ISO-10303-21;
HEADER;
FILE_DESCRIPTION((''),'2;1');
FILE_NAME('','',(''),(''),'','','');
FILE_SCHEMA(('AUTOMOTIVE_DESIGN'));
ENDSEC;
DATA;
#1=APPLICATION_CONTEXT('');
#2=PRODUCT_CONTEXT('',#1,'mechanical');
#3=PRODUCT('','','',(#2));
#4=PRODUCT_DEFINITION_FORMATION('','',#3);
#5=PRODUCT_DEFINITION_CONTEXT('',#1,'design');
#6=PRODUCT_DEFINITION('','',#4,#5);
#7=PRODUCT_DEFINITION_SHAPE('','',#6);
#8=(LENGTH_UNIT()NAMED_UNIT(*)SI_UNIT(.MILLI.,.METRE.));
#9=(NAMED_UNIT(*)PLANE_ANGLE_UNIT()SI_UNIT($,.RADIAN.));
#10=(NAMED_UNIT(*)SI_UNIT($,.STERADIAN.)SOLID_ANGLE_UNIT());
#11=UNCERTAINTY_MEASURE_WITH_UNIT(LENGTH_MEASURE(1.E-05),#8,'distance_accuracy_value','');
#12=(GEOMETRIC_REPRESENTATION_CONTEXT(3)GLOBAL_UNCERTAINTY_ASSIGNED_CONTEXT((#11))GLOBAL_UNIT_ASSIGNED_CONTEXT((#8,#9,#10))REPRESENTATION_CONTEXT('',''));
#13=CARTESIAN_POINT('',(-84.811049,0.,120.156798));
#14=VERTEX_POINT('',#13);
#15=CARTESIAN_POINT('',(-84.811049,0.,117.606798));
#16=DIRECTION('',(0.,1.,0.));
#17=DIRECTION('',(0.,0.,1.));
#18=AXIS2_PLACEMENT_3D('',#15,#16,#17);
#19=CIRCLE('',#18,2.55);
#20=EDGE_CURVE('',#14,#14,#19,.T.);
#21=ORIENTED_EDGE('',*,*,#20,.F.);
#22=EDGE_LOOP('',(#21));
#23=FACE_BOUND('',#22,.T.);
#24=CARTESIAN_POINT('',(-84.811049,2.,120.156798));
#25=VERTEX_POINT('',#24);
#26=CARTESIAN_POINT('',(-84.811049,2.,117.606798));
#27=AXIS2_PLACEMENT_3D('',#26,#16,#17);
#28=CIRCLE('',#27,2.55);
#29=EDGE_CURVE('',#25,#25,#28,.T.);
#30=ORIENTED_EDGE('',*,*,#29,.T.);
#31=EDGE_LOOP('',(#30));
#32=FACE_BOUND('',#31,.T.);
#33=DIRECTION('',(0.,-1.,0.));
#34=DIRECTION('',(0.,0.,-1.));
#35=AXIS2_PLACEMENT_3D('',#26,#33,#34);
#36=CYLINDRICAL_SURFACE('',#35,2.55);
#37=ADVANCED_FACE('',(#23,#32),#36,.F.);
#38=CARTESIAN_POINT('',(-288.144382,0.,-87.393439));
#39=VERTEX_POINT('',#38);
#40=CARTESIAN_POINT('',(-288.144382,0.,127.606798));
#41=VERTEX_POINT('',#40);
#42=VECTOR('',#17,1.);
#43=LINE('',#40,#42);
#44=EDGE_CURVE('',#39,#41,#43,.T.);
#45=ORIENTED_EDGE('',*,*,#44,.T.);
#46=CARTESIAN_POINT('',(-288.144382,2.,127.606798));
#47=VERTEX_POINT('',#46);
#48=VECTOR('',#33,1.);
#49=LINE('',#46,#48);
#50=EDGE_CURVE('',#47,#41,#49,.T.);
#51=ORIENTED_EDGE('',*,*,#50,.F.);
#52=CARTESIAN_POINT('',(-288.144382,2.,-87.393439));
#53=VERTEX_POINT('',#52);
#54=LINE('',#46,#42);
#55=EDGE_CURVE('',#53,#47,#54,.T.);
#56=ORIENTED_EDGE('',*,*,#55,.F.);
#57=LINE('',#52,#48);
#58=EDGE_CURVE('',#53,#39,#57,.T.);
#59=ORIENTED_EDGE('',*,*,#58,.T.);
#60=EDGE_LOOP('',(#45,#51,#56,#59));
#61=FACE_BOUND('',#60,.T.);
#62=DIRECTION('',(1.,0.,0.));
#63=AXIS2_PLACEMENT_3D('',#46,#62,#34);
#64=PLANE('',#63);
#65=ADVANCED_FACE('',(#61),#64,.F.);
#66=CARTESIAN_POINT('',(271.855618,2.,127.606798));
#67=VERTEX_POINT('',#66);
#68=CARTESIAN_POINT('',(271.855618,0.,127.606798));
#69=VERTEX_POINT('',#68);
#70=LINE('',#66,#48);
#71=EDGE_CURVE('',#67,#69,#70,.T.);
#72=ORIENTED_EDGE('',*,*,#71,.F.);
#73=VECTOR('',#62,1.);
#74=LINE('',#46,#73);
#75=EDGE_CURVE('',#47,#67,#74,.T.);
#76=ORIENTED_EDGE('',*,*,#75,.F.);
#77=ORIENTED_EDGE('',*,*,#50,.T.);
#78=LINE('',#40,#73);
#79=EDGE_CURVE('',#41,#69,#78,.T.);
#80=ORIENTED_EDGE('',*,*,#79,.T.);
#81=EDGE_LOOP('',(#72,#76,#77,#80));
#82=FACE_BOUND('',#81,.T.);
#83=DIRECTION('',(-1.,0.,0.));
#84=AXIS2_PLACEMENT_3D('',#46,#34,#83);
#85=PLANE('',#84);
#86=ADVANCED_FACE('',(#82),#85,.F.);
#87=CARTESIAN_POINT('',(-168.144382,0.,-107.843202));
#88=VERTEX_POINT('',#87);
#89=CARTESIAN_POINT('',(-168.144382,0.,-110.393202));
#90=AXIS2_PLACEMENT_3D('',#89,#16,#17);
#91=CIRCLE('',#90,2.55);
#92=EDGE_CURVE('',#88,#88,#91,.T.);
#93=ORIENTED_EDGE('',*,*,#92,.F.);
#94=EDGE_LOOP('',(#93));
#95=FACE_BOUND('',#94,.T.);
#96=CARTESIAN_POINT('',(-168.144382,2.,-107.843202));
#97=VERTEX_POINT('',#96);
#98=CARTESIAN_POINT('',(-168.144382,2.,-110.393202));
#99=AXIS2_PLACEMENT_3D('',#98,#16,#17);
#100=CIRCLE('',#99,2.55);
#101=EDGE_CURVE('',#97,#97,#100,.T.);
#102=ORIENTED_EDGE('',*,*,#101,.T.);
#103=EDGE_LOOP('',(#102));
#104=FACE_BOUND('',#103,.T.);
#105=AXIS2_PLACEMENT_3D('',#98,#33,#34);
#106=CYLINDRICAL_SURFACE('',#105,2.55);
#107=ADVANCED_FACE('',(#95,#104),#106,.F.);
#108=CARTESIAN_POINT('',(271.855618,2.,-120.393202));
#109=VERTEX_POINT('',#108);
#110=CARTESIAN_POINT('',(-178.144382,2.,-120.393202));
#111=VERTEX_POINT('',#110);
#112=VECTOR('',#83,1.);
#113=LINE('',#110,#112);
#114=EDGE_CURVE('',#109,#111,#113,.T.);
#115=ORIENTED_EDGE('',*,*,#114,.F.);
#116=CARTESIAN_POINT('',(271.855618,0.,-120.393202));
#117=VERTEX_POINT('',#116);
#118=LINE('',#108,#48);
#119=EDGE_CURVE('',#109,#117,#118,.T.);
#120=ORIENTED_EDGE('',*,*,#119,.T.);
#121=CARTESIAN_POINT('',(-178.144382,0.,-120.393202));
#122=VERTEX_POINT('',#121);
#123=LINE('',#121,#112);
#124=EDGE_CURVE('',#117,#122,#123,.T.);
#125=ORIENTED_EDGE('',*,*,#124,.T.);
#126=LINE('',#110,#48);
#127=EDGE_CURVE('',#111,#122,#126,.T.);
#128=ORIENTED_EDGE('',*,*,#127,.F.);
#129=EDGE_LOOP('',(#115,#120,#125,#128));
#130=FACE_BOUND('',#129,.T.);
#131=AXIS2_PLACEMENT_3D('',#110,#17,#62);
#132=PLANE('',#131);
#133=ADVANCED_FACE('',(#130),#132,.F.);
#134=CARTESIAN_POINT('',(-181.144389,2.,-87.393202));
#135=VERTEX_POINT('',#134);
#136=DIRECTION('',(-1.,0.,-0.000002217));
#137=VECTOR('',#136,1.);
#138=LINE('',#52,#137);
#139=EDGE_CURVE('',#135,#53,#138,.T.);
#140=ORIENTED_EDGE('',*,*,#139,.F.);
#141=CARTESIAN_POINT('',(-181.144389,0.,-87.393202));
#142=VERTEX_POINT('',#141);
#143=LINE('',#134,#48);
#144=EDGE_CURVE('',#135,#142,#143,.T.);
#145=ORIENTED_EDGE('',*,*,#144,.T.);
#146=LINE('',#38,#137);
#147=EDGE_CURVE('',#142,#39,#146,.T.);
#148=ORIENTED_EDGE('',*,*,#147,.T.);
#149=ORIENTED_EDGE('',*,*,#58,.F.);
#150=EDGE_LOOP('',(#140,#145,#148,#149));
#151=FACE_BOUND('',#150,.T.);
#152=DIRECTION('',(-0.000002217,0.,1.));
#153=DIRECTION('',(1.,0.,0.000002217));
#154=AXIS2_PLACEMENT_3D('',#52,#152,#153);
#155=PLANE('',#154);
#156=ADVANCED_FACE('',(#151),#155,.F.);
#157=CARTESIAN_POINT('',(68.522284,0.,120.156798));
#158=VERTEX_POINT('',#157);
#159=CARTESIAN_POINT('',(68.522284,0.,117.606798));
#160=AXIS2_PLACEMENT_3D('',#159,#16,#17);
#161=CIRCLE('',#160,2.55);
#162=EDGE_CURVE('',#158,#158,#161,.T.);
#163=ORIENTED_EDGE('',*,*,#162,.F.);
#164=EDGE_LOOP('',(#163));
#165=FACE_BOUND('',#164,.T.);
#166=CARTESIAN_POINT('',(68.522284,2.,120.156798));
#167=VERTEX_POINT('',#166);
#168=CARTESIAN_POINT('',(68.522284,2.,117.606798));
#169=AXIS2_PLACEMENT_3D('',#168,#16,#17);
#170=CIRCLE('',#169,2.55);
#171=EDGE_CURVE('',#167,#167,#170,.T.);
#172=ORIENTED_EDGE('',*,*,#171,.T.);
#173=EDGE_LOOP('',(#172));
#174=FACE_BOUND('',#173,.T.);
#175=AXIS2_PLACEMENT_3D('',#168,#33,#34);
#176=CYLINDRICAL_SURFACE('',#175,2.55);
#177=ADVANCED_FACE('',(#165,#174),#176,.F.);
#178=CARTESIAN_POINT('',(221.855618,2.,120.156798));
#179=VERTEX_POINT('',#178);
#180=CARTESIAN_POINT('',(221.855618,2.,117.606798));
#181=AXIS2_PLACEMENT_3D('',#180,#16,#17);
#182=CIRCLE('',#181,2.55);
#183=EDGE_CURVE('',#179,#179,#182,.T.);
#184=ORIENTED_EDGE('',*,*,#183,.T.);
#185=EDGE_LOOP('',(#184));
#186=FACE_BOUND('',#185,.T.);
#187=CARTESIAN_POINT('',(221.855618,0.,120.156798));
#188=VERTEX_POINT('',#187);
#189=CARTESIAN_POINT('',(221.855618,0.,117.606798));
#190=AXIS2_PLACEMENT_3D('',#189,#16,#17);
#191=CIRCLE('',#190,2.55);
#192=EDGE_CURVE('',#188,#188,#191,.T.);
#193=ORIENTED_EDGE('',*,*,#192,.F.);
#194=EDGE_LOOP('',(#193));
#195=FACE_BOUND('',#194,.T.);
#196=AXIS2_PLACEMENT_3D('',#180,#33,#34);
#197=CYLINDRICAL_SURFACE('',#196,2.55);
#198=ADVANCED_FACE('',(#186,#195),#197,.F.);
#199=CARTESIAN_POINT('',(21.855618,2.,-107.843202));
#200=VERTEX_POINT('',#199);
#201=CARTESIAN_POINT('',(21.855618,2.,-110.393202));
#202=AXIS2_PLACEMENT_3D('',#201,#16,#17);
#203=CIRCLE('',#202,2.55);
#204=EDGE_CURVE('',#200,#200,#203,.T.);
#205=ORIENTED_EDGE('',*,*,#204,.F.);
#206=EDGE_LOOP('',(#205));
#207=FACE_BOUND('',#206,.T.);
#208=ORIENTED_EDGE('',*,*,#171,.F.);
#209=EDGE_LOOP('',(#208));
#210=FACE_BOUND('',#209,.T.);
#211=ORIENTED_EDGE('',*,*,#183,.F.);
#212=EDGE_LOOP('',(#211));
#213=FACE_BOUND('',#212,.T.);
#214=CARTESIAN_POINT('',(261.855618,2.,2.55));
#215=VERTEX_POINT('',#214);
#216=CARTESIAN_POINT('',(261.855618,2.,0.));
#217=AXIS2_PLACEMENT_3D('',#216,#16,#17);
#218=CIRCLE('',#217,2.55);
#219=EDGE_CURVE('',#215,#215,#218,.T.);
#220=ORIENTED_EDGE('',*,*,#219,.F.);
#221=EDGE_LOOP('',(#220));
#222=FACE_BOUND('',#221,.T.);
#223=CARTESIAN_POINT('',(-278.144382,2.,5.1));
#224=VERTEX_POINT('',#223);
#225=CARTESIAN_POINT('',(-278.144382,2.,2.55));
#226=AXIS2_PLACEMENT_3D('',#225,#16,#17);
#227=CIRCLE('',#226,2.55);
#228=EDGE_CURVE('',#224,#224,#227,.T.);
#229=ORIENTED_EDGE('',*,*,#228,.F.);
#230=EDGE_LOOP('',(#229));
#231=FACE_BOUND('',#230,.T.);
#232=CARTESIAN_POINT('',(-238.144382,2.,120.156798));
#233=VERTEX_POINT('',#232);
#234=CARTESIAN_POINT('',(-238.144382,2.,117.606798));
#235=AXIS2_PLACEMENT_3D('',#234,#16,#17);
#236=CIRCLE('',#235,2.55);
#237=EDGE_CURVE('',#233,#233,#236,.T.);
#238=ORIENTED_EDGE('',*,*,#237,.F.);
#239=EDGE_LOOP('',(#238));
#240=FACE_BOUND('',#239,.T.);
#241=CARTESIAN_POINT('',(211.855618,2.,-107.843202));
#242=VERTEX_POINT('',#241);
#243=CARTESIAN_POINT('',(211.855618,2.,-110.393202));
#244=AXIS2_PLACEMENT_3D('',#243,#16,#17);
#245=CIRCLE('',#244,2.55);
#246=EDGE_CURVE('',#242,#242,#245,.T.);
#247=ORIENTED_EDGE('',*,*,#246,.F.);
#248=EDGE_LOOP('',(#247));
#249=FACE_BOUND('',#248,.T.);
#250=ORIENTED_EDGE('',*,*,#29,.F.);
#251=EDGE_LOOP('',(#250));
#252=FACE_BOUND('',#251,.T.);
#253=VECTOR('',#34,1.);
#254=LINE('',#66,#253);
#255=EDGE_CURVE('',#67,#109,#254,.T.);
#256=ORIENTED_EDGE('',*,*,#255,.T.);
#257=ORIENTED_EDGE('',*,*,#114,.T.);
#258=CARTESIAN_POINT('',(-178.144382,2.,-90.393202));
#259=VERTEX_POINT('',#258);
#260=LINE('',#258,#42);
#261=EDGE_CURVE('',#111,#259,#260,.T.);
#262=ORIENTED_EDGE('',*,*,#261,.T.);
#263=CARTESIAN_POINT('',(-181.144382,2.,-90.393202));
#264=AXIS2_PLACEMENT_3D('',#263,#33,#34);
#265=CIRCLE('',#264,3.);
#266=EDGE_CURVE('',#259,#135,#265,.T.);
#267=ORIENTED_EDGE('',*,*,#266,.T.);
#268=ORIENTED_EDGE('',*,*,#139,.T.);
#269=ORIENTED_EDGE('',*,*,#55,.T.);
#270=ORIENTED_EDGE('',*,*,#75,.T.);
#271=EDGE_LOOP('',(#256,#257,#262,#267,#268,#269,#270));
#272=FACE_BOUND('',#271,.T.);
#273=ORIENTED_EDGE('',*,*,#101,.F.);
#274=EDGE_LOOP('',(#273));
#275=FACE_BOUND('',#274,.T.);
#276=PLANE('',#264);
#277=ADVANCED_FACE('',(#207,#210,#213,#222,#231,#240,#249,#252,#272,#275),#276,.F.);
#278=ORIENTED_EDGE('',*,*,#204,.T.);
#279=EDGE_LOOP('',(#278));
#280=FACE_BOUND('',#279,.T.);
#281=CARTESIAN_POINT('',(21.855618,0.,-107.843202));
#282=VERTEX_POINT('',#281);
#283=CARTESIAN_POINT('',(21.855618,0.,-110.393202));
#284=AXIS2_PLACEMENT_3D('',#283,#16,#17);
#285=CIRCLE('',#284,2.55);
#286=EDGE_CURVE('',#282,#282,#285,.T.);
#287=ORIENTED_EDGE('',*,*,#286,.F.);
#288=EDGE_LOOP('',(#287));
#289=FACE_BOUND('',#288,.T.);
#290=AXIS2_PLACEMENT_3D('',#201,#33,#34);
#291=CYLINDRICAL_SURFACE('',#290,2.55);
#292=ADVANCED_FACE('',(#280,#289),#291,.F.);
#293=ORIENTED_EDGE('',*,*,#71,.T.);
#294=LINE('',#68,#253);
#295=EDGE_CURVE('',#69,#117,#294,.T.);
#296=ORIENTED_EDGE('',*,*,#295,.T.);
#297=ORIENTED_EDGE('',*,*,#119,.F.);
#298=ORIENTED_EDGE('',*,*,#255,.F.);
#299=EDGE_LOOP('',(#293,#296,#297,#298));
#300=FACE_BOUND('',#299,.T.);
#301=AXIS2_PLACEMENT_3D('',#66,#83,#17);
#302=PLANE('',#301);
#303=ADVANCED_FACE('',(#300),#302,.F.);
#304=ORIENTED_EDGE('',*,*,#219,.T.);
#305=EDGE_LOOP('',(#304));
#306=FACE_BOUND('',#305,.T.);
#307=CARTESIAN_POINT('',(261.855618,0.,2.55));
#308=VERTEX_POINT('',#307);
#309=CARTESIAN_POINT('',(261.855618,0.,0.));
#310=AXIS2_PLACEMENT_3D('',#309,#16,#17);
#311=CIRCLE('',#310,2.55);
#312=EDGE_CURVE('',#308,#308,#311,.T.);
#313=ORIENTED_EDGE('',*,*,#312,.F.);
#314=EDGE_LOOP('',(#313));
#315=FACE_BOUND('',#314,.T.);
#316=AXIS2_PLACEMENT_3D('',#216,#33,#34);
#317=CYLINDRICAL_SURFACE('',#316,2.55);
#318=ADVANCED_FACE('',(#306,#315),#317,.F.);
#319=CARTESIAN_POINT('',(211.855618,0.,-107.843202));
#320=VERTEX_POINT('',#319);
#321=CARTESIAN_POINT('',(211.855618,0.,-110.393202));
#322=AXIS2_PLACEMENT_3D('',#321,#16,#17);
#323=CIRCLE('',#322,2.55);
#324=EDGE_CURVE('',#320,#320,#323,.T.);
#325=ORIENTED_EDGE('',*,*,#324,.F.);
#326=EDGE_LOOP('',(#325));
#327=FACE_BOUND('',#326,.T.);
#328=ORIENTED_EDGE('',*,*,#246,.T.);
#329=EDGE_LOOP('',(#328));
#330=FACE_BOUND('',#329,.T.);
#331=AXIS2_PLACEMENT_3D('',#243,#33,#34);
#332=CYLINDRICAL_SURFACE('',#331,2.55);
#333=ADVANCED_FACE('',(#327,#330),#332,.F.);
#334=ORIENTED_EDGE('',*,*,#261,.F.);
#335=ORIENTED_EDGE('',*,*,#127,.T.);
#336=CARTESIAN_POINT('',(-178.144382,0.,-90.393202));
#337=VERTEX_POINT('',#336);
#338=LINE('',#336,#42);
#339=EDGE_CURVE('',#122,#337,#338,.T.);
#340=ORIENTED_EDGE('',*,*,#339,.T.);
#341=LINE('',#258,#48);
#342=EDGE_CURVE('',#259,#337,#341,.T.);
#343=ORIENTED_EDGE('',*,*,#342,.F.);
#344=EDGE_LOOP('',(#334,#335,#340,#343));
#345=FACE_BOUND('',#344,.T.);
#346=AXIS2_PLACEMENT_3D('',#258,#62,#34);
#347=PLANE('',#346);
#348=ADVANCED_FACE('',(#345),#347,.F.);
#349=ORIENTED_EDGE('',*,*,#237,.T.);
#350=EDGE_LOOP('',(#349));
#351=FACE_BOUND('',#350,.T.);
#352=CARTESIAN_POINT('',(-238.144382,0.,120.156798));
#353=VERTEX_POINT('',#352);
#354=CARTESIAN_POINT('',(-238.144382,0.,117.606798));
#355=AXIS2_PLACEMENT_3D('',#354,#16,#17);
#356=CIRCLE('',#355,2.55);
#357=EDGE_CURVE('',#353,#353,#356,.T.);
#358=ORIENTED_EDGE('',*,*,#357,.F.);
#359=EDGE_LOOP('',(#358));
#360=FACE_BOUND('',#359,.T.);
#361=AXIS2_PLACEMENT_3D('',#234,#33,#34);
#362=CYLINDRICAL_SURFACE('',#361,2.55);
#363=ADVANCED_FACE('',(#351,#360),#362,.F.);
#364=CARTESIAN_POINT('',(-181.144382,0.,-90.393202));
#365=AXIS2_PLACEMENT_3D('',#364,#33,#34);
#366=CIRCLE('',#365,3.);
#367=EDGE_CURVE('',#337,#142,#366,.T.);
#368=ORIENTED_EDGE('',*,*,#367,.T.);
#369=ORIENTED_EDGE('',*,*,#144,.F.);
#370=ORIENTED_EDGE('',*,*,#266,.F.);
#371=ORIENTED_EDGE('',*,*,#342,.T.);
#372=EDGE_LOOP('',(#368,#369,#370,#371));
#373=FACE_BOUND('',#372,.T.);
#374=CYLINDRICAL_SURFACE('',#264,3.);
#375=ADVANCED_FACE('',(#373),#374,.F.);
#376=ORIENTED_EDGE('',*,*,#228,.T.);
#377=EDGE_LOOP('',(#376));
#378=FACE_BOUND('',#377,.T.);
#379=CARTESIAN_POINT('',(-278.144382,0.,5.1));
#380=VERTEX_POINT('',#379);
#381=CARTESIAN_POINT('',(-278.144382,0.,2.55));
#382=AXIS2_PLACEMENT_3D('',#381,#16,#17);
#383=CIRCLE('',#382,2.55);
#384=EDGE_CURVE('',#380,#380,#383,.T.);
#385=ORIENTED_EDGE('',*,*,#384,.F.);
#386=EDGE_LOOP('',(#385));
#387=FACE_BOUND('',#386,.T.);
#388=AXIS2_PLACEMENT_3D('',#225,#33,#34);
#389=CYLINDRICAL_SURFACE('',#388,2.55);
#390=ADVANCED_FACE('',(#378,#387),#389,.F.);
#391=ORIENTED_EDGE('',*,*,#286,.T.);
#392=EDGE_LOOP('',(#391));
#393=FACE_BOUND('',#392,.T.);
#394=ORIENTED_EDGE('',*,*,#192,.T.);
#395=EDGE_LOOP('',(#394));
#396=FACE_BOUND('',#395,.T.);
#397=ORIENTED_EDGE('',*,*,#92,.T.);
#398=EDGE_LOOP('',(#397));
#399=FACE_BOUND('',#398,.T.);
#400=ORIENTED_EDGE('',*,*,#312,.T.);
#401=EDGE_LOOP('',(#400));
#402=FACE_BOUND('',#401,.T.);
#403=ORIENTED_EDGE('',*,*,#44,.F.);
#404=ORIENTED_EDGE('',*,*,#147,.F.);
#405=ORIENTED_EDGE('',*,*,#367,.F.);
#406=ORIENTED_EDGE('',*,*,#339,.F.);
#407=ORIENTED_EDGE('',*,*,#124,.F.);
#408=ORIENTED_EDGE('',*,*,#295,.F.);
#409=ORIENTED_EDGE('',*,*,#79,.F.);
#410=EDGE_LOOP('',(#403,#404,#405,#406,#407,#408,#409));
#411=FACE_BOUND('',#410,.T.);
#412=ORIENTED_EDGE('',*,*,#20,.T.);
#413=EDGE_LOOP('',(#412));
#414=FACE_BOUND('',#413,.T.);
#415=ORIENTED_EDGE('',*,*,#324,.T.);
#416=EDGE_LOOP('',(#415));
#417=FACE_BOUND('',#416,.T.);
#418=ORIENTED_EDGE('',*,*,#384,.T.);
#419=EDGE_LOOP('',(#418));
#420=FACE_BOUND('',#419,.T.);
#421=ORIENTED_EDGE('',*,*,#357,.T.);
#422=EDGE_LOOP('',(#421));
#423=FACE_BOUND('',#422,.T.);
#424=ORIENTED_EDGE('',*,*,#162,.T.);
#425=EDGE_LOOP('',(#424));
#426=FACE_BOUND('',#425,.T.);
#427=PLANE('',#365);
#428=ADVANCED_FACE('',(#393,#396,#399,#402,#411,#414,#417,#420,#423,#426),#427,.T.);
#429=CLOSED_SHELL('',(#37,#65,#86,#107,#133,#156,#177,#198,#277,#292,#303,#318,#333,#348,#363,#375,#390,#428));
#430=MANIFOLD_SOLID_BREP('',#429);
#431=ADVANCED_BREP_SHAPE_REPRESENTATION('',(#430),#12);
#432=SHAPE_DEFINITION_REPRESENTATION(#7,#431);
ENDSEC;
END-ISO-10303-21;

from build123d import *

# Parameters (mm, degrees)
SKETCH1_R           = 2.55
BOSS_EXTRUDE1_DEPTH = 2


with BuildPart() as part:
    # Sketch1 → Boss-Extrude1 (new body)
    with BuildSketch(Plane(origin=(0, 0, 0), x_dir=(1, 0, 0), z_dir=(0, 1, 0))):
        with BuildLine():
            Line((-288.144382289, 87.393439394), (-181.144388941, 87.393202129))
            ThreePointArc((-181.144388941, 87.393202129), (-179.023064297, 88.271879434), (-178.144382289, 90.393202129))
            Line((-178.144382289, 90.393202129), (-178.144382289, 120.393202129))
            Line((-178.144382289, 120.393202129), (271.855617711, 120.393202129))
            Line((271.855617711, 120.393202129), (271.855617711, -127.606797871))
            Line((271.855617711, -127.606797871), (-288.144382289, -127.606797871))
            Line((-288.144382289, -127.606797871), (-288.144382289, 87.393439394))
        make_face()
        with Locations((211.855617711, 110.393202129)):
            Circle(SKETCH1_R, mode=Mode.SUBTRACT)
        with Locations((-168.144382289, 110.393202129)):
            Circle(SKETCH1_R, mode=Mode.SUBTRACT)
        with Locations((21.855617711, 110.393202129)):
            Circle(SKETCH1_R, mode=Mode.SUBTRACT)
        with Locations((-238.144382289, -117.606797871)):
            Circle(SKETCH1_R, mode=Mode.SUBTRACT)
        with Locations((-84.811048956, -117.606797871)):
            Circle(SKETCH1_R, mode=Mode.SUBTRACT)
        with Locations((68.522284378, -117.606797871)):
            Circle(SKETCH1_R, mode=Mode.SUBTRACT)
        with Locations((221.855617711, -117.606797871)):
            Circle(SKETCH1_R, mode=Mode.SUBTRACT)
        with Locations((261.855617711, 0)):
            Circle(SKETCH1_R, mode=Mode.SUBTRACT)
        with Locations((-278.144382289, -2.55)):
            Circle(SKETCH1_R, mode=Mode.SUBTRACT)
    extrude(amount=BOSS_EXTRUDE1_DEPTH)


solid = part.part
